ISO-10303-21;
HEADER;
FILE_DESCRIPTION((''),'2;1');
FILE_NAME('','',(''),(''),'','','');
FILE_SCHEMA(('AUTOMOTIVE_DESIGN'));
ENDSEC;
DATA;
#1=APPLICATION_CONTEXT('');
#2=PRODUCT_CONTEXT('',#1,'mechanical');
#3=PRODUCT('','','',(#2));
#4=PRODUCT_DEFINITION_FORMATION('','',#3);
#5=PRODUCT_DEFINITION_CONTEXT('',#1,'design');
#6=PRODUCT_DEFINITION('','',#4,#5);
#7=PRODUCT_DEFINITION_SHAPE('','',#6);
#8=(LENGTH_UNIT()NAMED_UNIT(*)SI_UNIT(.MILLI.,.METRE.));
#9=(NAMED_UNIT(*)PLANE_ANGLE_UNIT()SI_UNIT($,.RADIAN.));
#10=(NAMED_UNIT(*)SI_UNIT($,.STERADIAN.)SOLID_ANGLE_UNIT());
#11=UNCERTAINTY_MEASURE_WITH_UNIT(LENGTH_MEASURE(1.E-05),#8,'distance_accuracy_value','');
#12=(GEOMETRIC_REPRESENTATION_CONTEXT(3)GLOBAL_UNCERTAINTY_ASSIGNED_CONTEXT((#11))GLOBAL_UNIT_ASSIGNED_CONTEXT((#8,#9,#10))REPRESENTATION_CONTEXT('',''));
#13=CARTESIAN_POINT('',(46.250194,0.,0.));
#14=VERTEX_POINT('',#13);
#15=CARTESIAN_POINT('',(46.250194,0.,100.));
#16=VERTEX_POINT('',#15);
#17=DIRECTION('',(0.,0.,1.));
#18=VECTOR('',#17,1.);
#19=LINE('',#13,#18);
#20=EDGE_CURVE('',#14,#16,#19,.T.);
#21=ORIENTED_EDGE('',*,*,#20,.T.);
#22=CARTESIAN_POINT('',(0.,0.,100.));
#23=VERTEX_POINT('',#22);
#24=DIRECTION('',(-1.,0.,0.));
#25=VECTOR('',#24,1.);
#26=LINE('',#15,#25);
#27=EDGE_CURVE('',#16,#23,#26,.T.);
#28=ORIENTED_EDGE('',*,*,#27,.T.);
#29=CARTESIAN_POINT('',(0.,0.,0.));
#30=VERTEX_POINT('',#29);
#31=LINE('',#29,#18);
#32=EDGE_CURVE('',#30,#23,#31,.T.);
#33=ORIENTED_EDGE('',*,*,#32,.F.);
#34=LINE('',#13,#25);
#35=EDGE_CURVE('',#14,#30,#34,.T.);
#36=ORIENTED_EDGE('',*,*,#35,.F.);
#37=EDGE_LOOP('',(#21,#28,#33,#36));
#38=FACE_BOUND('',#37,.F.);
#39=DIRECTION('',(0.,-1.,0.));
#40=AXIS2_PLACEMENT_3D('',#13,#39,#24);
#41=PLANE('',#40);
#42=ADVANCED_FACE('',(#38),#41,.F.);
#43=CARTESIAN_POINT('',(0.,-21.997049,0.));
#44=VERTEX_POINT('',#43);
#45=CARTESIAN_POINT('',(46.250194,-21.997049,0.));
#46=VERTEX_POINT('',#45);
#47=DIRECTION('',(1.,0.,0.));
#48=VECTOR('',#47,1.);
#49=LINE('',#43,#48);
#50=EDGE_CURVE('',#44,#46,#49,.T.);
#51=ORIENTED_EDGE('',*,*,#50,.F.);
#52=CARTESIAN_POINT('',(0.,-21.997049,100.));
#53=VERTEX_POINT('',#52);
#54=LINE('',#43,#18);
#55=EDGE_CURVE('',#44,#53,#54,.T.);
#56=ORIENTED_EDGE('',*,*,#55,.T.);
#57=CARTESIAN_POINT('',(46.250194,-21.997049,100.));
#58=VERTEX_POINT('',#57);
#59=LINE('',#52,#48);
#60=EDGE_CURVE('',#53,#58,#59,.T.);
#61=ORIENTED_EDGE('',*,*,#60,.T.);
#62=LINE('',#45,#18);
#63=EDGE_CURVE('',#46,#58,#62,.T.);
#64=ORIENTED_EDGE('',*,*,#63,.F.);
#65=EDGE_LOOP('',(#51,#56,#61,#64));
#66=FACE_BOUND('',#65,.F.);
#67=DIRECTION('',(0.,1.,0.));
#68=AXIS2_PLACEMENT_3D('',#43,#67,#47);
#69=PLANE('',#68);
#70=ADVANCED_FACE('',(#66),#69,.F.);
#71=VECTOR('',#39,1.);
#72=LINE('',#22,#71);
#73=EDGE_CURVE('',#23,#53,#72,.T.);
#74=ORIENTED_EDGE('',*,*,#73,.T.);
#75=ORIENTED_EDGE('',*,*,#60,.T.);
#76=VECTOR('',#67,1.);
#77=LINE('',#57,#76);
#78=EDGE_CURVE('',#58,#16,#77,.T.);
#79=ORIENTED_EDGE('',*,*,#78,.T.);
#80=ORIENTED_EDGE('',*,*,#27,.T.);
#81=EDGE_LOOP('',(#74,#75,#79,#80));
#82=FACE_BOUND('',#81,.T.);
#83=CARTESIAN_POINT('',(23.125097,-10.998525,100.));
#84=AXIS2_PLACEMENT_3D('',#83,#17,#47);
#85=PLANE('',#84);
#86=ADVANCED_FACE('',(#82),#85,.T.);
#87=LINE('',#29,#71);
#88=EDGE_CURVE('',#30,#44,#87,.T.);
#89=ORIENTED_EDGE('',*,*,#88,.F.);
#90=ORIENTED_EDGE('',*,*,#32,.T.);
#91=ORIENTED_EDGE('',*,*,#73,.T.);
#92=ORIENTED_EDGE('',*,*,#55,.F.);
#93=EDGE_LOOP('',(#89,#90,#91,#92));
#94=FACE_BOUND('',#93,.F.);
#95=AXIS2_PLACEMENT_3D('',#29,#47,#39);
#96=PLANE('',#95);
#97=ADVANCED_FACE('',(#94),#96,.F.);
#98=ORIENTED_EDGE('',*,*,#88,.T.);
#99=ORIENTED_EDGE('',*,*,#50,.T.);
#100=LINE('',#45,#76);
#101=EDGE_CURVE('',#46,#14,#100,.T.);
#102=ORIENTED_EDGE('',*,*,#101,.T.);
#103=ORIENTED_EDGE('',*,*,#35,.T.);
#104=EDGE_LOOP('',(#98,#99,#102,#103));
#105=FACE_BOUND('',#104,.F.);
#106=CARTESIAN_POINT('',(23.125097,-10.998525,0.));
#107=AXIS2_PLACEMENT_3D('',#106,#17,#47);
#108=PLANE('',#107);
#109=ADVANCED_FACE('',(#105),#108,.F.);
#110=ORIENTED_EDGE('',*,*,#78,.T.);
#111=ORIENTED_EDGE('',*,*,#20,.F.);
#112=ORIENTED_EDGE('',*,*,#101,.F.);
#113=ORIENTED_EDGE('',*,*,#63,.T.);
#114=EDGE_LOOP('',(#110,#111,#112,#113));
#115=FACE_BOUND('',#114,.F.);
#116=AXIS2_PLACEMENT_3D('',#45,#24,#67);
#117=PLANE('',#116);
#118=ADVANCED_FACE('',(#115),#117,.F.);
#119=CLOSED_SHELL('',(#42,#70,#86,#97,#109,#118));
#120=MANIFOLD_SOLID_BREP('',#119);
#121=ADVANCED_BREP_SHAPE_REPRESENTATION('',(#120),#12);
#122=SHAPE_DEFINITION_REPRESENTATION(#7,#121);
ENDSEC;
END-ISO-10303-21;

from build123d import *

# Parameters (mm, degrees)
F2_DEPTH = 100


with BuildPart() as f2:
    # F1 (on face) → F2 (new body)
    with BuildSketch(Plane.XY):
        Polygon((24.958193, 0), (16.356766, 0), (0, 0), (0, -21.997049), (46.250194, -21.997049), (46.250194, 0), align=None)
    extrude(amount=F2_DEPTH)


solid = f2.part
